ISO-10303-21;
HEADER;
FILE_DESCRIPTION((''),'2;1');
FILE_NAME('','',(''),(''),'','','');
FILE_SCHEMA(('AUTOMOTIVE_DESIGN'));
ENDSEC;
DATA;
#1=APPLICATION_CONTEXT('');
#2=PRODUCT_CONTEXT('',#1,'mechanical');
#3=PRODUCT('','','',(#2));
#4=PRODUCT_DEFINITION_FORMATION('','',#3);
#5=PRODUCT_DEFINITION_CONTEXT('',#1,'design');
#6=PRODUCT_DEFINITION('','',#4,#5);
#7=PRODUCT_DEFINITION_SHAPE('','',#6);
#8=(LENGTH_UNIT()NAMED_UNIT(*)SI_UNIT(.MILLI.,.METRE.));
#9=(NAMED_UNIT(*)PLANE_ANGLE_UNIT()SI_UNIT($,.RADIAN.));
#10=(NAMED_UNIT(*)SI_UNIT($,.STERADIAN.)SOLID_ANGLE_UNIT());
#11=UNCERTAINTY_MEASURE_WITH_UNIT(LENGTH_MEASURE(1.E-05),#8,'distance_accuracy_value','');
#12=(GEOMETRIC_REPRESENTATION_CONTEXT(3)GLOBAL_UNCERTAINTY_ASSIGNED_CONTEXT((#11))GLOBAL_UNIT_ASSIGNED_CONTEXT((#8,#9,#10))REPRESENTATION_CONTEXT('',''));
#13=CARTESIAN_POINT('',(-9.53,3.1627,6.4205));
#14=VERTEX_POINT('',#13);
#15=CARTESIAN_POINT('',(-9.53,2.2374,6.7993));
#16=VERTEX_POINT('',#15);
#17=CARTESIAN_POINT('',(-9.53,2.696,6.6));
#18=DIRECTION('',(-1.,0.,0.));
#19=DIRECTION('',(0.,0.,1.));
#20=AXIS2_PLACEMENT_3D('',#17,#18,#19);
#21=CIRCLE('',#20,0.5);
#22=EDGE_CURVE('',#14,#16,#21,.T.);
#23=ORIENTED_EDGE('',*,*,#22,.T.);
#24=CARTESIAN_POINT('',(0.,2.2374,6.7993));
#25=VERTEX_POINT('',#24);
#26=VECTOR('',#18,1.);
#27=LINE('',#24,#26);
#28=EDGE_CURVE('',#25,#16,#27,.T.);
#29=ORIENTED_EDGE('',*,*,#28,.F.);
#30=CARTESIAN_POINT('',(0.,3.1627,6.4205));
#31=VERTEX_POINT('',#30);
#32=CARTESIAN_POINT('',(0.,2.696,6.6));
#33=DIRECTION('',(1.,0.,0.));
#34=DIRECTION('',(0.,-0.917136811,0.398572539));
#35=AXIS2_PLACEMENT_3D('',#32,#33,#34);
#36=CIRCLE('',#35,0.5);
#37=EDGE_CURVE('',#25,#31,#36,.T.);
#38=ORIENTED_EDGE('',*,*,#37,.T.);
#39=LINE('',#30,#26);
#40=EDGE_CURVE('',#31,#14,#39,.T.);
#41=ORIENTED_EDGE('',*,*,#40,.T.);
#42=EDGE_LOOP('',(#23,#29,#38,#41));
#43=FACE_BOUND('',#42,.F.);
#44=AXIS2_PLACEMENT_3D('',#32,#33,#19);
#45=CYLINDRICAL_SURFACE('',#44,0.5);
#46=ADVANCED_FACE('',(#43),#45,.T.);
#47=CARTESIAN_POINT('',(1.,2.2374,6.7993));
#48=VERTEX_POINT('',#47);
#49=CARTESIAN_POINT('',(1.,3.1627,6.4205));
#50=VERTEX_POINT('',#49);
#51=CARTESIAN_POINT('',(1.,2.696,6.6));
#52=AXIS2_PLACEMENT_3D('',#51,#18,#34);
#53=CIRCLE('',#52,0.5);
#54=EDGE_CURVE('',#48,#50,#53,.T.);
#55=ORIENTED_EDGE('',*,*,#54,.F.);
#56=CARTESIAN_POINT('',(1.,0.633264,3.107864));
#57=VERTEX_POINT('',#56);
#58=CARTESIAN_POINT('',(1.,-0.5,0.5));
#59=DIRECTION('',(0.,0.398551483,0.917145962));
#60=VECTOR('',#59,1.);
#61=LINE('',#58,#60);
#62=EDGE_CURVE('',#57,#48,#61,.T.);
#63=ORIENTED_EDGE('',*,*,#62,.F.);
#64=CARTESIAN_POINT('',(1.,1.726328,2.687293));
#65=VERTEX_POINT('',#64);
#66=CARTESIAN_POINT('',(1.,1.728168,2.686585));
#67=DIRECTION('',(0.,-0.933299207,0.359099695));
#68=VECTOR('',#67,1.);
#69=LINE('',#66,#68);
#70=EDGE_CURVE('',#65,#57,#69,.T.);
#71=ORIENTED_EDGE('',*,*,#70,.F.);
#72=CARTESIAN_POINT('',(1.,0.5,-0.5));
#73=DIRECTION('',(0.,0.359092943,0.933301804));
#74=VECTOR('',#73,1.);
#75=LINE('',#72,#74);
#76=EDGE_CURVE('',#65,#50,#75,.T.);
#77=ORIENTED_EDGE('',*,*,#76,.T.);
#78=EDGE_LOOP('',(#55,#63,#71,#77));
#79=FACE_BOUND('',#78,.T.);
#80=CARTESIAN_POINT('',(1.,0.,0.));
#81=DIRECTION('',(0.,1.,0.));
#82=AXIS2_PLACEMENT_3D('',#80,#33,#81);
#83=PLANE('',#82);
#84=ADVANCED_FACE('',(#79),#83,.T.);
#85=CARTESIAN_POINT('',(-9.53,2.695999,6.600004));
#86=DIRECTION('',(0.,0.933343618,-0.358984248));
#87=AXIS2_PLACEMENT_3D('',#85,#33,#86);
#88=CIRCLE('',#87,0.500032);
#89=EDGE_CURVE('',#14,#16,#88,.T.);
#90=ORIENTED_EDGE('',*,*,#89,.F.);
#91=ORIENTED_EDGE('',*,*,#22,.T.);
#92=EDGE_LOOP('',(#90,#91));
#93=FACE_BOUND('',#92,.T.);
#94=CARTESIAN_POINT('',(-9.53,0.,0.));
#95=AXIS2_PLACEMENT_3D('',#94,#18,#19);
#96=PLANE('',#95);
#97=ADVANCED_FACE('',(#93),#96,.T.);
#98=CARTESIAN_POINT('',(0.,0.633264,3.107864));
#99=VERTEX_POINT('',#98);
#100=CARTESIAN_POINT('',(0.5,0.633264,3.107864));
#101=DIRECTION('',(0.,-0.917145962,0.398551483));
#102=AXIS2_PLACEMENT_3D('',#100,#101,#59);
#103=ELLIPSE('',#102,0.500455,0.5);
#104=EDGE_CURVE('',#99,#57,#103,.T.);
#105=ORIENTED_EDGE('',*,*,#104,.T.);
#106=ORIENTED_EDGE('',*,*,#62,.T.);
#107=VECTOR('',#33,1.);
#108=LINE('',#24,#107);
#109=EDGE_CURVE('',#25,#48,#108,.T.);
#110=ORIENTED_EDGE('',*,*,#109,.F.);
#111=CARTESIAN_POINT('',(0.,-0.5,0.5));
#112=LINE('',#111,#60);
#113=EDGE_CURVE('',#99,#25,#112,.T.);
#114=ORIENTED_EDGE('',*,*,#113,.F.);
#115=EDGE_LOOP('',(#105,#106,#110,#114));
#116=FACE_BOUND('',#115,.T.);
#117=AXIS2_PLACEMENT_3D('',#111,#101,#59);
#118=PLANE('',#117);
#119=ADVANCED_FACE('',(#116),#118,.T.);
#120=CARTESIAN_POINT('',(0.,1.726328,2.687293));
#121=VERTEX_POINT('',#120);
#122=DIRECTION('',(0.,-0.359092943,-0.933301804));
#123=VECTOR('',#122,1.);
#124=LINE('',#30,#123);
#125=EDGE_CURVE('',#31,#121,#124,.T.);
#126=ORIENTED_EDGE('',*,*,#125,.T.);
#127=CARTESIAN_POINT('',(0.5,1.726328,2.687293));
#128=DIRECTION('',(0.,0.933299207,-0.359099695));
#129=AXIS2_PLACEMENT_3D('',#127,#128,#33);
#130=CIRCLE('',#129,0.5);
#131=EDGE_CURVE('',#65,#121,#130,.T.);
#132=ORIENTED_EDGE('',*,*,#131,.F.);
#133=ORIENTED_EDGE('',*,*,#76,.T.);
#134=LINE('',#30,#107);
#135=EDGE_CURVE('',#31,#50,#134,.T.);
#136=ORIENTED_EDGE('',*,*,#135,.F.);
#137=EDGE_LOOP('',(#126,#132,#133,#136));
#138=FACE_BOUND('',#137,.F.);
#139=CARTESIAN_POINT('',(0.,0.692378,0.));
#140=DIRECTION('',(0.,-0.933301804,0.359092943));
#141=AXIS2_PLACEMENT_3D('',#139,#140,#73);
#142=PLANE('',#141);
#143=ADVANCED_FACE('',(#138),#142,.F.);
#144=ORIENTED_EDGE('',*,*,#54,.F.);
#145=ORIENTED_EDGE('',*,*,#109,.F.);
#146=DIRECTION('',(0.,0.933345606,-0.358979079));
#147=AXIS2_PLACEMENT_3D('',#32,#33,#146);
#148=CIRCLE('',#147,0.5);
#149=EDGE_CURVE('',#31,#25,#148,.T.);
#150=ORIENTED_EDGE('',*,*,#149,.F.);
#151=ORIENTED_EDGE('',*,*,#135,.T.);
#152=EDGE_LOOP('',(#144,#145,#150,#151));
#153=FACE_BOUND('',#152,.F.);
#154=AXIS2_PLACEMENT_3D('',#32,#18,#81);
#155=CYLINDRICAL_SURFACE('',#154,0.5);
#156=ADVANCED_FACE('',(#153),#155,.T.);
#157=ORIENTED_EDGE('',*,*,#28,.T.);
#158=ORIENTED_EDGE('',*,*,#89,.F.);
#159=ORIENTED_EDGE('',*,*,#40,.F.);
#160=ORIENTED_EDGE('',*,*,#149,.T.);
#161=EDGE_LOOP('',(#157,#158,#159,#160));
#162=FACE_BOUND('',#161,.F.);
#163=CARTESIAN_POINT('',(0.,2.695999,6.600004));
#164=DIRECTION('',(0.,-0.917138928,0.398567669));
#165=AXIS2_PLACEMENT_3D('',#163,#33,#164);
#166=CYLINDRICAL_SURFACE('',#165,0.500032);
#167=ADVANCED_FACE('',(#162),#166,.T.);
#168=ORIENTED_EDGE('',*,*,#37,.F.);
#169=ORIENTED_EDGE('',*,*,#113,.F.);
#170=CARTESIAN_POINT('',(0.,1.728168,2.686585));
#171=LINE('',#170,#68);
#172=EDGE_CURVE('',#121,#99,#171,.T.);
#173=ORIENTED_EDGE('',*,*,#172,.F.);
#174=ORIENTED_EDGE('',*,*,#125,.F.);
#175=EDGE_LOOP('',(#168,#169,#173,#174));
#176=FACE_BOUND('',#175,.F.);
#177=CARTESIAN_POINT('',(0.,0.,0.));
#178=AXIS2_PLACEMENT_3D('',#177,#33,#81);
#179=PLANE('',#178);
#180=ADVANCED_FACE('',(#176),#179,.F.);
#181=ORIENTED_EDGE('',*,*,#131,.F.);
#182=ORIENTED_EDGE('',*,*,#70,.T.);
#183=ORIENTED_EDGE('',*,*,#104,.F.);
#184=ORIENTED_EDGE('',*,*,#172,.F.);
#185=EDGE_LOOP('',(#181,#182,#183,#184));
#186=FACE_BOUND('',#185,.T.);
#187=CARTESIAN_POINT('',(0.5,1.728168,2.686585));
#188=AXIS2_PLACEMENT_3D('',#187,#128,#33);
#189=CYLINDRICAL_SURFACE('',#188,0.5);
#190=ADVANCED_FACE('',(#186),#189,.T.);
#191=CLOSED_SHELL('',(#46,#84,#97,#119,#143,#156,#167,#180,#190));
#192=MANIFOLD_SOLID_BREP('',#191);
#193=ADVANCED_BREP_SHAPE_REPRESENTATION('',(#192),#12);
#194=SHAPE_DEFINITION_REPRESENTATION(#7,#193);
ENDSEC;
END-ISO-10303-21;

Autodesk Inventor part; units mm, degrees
ref_plane "YZ Plane" through (0, 0, 0) normal (1, 0, 0) x (0, 1, 0)
ref_plane "XZ Plane" through (0, 0, 0) normal (0, 1, 0) x (-1, 0, 0)
ref_plane "XY Plane" through (0, 0, 0) normal (0, 0, 1) x (1, 0, 0)
sketch "Sketch1" plane through (0, 0, 0) normal (1, 0, 0) x (0, 1, 0)
  line L0 (0, 0) -> (2.696, 0)
  line L1 (2.696, 0) -> (2.696, 6.6)
  circle A0 centre (2.696, 6.6) radius 0.5
  line L2 (-0.5, 0.5) -> (0.5, 0.5)
  line L3 (0.5, 0.5) -> (0.5, -0.5)
  line L4 (0.5, -0.5) -> (-0.5, -0.5)
  line L5 (-0.5, -0.5) -> (-0.5, 0.5)
  line L6 (-0.5, 0.5) -> (0.5, -0.5) construction
  line L7 (0.5, 0.5) -> (-0.5, -0.5) construction
  line L8 (0.5, -0.5) -> (3.1627, 6.4205)
  line L9 (-0.5, 0.5) -> (2.2374, 6.7993)
  dimension "d0" = 2.696
  dimension "d1" = 6.6
  dimension "d2" = 1
  dimension "d3" = 1
  dimension "d4" = 1
extrude "Extrusion1" add sketch "Sketch1" along normal blind 1 contours L3 L2 L9 A0 L1 L8 L0 | L3 L4 L5 L2 | L0 L8 L3 | L1 A0 L8 | A0
sketch "Sketch2" plane through (0, 0, 0) normal (-1, 0, 0) x (0, 0, 1)
  line L0 (-0.5, -0.5) -> (0.5, -0.5)
  line L1 (0.5, -0.5) -> (0.5, 0.5)
  line L2 (0.5, 0.5) -> (-0.5, 0.5)
  line L3 (-0.5, 0.5) -> (-0.5, -0.5)
  line L4 (-0.5, -0.5) -> (0.5, 0.5) construction
  line L5 (0.5, -0.5) -> (-0.5, 0.5) construction
  arc A0 (6.7993, 2.2374) -> (6.4205, 3.1627) centre (6.6, 2.696) ccw projected
  circle A1 centre (6.6, 2.696) radius 0.5
  point P0 (0, 0)
  point P1 (6.4205, 3.1627)
  point P2 (6.7993, 2.2374)
  dimension "d7" = 1
  dimension "d8" = 1
extrude "Extrusion2" add sketch "Sketch2" along normal blind 9.53
sketch "Sketch3" plane through (0, 3.1627, 6.4205) normal (0, 0.9333, -0.3591) x (1, 0, 0)
  line L0 (1, 7.415) -> (1, 0) projected
  line L1 (1, 0) -> (1, 4)
  line L2 (1, 4) -> (0, 4)
  line L3 (0, -0.0213) -> (0, 6.8408) projected
  circle A0 centre (0.5, 4) radius 0.5
  line L4 (1, 4) -> (2.2974, 4.6522)
  line L5 (2.2974, 4.6522) -> (2.4132, 8.4295)
  line L6 (2.4132, 8.4295) -> (-8.5006, 8.8849)
  line L7 (-8.5006, 8.8849) -> (-10.8473, 7.9695)
  line L8 (-10.8473, 7.9695) -> (-9.9233, 6.1312)
  line L9 (-9.9233, 6.1312) -> (-3.8147, 5.4684)
  line L10 (-3.8147, 5.4684) -> (0, 4)
  point P0 (0, 7.1279)
  point P1 (1, 4)
  dimension "d11" = 4
extrude "Extrusion3" cut sketch "Sketch3" against normal blind 10 contours A0 L10 L9 L8 L7 L6 L5 L4
properties part number "Radius_Bone1_Joint_UPPER"
